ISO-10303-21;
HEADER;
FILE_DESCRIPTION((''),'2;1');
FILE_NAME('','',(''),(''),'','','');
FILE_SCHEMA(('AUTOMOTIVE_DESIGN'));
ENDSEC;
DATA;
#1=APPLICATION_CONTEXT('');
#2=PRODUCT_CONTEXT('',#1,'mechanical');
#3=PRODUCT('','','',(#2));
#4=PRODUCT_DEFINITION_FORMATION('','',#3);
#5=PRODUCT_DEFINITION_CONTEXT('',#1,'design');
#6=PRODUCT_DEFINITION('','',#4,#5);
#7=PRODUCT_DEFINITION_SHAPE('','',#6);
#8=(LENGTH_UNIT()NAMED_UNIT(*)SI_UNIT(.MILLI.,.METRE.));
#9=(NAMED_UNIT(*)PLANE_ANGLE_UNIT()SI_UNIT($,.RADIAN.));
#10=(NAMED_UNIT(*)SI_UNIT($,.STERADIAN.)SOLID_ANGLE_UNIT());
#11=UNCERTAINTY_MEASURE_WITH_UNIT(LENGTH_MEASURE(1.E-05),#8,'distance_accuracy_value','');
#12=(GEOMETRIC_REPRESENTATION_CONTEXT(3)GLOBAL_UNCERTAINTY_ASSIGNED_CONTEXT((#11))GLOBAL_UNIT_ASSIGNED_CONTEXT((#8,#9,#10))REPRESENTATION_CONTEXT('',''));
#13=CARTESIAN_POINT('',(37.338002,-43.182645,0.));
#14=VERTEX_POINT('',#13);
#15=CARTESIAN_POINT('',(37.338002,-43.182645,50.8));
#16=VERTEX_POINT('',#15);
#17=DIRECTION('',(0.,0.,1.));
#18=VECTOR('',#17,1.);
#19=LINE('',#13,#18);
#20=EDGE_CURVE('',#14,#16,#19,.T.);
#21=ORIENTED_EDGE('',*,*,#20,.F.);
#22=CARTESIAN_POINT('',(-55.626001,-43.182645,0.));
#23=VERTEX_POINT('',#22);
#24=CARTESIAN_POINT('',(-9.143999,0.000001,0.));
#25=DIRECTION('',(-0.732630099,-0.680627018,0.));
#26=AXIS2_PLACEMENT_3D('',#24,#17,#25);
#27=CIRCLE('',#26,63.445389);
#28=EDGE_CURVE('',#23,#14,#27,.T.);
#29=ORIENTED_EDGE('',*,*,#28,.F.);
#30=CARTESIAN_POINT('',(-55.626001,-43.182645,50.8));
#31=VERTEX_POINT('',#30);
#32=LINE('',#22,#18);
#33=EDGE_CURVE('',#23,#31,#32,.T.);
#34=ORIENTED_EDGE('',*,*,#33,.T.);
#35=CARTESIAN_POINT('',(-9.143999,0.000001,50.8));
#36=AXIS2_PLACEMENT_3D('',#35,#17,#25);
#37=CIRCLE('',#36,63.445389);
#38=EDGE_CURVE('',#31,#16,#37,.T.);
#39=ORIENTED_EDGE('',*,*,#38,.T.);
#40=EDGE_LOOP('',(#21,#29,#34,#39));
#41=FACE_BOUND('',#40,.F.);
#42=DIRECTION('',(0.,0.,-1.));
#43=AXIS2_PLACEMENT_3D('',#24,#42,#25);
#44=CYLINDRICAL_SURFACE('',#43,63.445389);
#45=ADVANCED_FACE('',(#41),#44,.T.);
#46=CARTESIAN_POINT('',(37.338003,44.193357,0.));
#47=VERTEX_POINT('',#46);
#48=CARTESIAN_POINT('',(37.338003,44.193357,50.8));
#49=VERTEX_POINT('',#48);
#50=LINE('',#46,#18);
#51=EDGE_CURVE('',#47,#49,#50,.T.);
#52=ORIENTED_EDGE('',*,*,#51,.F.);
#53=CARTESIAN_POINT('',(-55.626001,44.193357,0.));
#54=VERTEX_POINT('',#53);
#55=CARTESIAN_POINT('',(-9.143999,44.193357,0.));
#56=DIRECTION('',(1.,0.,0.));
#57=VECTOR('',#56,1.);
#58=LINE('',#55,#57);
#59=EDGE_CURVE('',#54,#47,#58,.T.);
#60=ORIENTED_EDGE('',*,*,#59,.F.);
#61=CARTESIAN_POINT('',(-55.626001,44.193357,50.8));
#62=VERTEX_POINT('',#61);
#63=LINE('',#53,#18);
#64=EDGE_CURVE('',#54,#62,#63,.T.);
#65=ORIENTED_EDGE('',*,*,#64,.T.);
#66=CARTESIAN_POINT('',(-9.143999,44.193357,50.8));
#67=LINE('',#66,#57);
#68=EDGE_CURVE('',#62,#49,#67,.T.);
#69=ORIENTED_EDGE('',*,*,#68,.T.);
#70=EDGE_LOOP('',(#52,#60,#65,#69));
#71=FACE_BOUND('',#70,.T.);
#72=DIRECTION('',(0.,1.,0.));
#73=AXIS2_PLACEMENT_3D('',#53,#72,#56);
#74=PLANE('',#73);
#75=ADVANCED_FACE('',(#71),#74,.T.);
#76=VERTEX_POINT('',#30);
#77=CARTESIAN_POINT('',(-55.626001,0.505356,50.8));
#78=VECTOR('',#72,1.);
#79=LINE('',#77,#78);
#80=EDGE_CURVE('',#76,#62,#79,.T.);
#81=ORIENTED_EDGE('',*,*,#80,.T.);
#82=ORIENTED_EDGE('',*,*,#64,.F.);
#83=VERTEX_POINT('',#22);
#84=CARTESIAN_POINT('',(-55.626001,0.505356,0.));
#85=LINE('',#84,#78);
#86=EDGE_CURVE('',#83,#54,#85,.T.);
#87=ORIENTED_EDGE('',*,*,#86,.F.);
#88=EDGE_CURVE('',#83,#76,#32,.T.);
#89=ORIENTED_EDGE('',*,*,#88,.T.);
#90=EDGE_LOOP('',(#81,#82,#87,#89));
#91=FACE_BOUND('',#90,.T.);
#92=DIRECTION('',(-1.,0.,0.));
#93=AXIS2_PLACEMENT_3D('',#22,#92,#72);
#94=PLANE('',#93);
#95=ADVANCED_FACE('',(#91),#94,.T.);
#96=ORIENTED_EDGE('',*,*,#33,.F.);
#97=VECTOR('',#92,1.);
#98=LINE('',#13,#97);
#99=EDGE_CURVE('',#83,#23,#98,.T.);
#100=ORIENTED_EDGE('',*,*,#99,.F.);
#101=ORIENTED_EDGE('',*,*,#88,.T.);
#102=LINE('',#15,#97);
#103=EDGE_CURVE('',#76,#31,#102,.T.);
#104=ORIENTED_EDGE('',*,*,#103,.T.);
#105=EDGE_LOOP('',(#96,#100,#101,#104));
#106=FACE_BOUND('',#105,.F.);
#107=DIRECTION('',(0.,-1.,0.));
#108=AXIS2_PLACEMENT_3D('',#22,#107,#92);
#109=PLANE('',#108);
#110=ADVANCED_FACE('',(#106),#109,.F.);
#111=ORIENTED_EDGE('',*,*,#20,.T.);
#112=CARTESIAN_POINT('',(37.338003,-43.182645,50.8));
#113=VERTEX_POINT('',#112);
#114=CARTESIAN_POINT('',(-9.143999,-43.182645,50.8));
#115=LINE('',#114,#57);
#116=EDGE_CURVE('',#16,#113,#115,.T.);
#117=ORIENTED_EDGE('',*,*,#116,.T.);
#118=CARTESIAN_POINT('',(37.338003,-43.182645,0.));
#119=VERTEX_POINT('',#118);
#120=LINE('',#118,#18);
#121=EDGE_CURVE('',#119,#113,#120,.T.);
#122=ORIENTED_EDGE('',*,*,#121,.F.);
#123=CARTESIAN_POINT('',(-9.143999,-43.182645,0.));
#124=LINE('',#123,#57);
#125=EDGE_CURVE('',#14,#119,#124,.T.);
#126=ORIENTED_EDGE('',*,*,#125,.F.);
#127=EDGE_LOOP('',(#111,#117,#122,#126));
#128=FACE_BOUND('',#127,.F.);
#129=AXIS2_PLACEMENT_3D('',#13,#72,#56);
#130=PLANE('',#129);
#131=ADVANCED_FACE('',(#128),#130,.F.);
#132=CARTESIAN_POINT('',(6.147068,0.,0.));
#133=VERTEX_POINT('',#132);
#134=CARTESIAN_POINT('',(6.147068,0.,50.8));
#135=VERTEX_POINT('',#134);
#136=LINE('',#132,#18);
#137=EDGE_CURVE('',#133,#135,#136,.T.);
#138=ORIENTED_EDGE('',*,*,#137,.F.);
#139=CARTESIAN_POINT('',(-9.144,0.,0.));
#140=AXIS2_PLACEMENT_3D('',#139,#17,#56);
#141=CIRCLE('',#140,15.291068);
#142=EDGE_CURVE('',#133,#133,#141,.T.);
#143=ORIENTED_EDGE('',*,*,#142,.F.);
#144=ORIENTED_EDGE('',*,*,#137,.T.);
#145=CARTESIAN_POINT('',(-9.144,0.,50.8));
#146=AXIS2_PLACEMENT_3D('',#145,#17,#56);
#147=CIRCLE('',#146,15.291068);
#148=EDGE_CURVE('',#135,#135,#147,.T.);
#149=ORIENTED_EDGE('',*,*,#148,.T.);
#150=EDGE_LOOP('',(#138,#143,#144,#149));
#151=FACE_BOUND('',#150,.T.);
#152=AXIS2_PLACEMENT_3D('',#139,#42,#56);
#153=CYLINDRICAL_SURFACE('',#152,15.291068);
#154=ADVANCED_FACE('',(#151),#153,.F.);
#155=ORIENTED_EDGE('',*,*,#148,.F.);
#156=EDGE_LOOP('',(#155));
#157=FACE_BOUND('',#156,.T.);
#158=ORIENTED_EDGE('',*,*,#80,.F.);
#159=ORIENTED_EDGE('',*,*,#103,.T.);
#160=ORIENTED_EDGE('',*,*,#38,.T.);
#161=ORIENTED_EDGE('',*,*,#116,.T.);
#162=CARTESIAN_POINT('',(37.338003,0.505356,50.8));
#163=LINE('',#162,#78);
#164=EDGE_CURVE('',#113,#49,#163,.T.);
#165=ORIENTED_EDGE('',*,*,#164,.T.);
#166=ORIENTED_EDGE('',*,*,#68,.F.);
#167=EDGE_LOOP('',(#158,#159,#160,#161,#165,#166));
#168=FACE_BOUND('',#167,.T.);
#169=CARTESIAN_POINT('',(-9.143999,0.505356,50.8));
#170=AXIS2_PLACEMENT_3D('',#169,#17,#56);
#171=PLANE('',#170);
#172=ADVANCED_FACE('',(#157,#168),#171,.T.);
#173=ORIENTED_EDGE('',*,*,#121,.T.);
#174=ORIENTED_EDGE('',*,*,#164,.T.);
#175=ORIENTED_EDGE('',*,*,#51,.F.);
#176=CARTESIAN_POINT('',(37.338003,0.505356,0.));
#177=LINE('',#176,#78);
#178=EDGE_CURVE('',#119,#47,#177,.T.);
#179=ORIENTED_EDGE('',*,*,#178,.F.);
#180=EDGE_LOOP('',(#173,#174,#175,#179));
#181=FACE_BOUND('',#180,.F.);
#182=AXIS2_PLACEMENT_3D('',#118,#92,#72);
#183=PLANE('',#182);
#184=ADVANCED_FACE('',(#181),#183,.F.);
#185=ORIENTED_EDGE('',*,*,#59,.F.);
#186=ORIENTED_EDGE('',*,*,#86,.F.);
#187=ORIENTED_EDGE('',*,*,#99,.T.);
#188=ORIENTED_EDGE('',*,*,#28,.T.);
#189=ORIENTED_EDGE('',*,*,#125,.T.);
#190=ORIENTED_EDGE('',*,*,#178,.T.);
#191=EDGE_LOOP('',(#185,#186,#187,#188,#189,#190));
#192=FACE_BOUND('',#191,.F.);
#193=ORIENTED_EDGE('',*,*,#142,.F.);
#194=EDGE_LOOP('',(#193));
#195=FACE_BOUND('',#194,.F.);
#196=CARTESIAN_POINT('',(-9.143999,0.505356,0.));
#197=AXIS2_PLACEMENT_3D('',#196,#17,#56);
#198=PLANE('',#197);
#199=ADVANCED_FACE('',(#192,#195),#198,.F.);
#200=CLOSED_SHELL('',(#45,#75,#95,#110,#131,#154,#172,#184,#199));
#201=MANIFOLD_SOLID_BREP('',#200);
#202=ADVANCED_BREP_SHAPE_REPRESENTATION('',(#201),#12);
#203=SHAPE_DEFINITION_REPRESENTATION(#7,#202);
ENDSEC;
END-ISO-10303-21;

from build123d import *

# Parameters (mm, degrees)
F0_W     = 92.964003
F0_H     = 87.376002
F0_R     = 15.291068
F1_DEPTH = 50.8


with BuildPart() as f1:
    # F0 (on Top) → F1 (new body)
    with BuildSketch(Plane.XY):
        with Locations((-9.143999, 0.505356)):
            Rectangle(F0_W, F0_H)
        with Locations((-9.144, 0)):
            Circle(F0_R, mode=Mode.SUBTRACT)
        with BuildLine():
            Line((37.338002, -43.182645), (-55.626001, -43.182645))
            ThreePointArc((-55.626001, -43.182645), (-9.144, -63.445388), (37.338002, -43.182645))
        make_face()
    extrude(amount=F1_DEPTH)


solid = f1.part
